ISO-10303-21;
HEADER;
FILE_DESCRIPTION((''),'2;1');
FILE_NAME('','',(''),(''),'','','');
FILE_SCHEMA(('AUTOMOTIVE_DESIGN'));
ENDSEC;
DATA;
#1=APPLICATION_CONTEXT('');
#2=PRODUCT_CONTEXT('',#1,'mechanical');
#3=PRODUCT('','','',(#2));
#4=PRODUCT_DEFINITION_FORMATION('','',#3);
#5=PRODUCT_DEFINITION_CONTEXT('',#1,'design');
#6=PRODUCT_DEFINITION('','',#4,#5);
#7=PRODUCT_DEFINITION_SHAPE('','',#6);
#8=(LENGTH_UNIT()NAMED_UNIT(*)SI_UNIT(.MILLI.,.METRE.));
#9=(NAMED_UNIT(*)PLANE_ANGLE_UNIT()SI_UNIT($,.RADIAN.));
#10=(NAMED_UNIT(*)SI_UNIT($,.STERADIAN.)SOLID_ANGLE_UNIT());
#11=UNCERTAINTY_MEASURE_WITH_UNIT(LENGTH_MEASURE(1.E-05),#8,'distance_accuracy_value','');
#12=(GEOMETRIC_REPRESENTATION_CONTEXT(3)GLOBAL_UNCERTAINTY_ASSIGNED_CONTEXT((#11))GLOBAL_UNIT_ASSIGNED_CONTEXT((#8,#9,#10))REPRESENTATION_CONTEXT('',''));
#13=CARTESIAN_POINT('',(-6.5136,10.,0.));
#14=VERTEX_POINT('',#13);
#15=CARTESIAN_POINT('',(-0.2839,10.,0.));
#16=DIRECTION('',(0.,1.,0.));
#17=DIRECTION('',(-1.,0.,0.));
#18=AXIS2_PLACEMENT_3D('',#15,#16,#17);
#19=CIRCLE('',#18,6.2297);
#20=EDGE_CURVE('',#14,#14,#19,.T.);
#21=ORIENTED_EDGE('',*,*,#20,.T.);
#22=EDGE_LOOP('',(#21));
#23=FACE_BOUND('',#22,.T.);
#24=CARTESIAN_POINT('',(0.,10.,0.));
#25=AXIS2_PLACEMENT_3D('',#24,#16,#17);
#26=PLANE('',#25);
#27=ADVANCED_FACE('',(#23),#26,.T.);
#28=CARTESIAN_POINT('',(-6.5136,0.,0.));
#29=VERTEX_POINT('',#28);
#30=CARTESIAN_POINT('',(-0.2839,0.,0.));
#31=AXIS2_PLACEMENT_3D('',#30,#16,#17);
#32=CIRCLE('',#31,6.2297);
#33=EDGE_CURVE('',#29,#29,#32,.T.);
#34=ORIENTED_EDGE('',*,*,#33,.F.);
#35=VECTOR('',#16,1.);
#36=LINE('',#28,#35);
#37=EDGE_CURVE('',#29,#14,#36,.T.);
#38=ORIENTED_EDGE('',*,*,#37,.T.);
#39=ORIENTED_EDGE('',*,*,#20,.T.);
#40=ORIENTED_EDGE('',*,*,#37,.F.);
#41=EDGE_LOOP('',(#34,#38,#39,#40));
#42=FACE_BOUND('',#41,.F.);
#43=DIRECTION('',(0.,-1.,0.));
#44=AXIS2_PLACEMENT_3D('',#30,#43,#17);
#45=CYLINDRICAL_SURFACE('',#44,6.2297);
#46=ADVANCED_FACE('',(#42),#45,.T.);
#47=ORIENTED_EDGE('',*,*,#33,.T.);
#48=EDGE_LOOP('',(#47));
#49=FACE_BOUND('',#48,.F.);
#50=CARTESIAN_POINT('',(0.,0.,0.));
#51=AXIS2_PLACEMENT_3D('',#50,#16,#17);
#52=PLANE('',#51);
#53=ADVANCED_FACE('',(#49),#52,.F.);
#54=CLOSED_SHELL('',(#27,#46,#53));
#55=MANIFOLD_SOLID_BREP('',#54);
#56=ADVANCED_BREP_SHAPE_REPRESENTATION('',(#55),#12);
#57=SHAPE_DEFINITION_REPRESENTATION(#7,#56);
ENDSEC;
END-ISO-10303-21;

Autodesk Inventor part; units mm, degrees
ref_plane "YZ Plane" through (0, 0, 0) normal (1, 0, 0) x (0, 1, 0)
ref_plane "XZ Plane" through (0, 0, 0) normal (0, 1, 0) x (-1, 0, 0)
ref_plane "XY Plane" through (0, 0, 0) normal (0, 0, 1) x (1, 0, 0)
sketch "Sketch1" plane through (0, 0, 0) normal (0, 1, 0) x (-1, 0, 0)
  circle A0 centre (0.2839, 0) radius 6.2297
  point P0 (0, 0)
  dimension "d0" = 10
extrude "Extrusion1" add sketch "Sketch1" along normal blind 10
properties part number "githubtestpart"
